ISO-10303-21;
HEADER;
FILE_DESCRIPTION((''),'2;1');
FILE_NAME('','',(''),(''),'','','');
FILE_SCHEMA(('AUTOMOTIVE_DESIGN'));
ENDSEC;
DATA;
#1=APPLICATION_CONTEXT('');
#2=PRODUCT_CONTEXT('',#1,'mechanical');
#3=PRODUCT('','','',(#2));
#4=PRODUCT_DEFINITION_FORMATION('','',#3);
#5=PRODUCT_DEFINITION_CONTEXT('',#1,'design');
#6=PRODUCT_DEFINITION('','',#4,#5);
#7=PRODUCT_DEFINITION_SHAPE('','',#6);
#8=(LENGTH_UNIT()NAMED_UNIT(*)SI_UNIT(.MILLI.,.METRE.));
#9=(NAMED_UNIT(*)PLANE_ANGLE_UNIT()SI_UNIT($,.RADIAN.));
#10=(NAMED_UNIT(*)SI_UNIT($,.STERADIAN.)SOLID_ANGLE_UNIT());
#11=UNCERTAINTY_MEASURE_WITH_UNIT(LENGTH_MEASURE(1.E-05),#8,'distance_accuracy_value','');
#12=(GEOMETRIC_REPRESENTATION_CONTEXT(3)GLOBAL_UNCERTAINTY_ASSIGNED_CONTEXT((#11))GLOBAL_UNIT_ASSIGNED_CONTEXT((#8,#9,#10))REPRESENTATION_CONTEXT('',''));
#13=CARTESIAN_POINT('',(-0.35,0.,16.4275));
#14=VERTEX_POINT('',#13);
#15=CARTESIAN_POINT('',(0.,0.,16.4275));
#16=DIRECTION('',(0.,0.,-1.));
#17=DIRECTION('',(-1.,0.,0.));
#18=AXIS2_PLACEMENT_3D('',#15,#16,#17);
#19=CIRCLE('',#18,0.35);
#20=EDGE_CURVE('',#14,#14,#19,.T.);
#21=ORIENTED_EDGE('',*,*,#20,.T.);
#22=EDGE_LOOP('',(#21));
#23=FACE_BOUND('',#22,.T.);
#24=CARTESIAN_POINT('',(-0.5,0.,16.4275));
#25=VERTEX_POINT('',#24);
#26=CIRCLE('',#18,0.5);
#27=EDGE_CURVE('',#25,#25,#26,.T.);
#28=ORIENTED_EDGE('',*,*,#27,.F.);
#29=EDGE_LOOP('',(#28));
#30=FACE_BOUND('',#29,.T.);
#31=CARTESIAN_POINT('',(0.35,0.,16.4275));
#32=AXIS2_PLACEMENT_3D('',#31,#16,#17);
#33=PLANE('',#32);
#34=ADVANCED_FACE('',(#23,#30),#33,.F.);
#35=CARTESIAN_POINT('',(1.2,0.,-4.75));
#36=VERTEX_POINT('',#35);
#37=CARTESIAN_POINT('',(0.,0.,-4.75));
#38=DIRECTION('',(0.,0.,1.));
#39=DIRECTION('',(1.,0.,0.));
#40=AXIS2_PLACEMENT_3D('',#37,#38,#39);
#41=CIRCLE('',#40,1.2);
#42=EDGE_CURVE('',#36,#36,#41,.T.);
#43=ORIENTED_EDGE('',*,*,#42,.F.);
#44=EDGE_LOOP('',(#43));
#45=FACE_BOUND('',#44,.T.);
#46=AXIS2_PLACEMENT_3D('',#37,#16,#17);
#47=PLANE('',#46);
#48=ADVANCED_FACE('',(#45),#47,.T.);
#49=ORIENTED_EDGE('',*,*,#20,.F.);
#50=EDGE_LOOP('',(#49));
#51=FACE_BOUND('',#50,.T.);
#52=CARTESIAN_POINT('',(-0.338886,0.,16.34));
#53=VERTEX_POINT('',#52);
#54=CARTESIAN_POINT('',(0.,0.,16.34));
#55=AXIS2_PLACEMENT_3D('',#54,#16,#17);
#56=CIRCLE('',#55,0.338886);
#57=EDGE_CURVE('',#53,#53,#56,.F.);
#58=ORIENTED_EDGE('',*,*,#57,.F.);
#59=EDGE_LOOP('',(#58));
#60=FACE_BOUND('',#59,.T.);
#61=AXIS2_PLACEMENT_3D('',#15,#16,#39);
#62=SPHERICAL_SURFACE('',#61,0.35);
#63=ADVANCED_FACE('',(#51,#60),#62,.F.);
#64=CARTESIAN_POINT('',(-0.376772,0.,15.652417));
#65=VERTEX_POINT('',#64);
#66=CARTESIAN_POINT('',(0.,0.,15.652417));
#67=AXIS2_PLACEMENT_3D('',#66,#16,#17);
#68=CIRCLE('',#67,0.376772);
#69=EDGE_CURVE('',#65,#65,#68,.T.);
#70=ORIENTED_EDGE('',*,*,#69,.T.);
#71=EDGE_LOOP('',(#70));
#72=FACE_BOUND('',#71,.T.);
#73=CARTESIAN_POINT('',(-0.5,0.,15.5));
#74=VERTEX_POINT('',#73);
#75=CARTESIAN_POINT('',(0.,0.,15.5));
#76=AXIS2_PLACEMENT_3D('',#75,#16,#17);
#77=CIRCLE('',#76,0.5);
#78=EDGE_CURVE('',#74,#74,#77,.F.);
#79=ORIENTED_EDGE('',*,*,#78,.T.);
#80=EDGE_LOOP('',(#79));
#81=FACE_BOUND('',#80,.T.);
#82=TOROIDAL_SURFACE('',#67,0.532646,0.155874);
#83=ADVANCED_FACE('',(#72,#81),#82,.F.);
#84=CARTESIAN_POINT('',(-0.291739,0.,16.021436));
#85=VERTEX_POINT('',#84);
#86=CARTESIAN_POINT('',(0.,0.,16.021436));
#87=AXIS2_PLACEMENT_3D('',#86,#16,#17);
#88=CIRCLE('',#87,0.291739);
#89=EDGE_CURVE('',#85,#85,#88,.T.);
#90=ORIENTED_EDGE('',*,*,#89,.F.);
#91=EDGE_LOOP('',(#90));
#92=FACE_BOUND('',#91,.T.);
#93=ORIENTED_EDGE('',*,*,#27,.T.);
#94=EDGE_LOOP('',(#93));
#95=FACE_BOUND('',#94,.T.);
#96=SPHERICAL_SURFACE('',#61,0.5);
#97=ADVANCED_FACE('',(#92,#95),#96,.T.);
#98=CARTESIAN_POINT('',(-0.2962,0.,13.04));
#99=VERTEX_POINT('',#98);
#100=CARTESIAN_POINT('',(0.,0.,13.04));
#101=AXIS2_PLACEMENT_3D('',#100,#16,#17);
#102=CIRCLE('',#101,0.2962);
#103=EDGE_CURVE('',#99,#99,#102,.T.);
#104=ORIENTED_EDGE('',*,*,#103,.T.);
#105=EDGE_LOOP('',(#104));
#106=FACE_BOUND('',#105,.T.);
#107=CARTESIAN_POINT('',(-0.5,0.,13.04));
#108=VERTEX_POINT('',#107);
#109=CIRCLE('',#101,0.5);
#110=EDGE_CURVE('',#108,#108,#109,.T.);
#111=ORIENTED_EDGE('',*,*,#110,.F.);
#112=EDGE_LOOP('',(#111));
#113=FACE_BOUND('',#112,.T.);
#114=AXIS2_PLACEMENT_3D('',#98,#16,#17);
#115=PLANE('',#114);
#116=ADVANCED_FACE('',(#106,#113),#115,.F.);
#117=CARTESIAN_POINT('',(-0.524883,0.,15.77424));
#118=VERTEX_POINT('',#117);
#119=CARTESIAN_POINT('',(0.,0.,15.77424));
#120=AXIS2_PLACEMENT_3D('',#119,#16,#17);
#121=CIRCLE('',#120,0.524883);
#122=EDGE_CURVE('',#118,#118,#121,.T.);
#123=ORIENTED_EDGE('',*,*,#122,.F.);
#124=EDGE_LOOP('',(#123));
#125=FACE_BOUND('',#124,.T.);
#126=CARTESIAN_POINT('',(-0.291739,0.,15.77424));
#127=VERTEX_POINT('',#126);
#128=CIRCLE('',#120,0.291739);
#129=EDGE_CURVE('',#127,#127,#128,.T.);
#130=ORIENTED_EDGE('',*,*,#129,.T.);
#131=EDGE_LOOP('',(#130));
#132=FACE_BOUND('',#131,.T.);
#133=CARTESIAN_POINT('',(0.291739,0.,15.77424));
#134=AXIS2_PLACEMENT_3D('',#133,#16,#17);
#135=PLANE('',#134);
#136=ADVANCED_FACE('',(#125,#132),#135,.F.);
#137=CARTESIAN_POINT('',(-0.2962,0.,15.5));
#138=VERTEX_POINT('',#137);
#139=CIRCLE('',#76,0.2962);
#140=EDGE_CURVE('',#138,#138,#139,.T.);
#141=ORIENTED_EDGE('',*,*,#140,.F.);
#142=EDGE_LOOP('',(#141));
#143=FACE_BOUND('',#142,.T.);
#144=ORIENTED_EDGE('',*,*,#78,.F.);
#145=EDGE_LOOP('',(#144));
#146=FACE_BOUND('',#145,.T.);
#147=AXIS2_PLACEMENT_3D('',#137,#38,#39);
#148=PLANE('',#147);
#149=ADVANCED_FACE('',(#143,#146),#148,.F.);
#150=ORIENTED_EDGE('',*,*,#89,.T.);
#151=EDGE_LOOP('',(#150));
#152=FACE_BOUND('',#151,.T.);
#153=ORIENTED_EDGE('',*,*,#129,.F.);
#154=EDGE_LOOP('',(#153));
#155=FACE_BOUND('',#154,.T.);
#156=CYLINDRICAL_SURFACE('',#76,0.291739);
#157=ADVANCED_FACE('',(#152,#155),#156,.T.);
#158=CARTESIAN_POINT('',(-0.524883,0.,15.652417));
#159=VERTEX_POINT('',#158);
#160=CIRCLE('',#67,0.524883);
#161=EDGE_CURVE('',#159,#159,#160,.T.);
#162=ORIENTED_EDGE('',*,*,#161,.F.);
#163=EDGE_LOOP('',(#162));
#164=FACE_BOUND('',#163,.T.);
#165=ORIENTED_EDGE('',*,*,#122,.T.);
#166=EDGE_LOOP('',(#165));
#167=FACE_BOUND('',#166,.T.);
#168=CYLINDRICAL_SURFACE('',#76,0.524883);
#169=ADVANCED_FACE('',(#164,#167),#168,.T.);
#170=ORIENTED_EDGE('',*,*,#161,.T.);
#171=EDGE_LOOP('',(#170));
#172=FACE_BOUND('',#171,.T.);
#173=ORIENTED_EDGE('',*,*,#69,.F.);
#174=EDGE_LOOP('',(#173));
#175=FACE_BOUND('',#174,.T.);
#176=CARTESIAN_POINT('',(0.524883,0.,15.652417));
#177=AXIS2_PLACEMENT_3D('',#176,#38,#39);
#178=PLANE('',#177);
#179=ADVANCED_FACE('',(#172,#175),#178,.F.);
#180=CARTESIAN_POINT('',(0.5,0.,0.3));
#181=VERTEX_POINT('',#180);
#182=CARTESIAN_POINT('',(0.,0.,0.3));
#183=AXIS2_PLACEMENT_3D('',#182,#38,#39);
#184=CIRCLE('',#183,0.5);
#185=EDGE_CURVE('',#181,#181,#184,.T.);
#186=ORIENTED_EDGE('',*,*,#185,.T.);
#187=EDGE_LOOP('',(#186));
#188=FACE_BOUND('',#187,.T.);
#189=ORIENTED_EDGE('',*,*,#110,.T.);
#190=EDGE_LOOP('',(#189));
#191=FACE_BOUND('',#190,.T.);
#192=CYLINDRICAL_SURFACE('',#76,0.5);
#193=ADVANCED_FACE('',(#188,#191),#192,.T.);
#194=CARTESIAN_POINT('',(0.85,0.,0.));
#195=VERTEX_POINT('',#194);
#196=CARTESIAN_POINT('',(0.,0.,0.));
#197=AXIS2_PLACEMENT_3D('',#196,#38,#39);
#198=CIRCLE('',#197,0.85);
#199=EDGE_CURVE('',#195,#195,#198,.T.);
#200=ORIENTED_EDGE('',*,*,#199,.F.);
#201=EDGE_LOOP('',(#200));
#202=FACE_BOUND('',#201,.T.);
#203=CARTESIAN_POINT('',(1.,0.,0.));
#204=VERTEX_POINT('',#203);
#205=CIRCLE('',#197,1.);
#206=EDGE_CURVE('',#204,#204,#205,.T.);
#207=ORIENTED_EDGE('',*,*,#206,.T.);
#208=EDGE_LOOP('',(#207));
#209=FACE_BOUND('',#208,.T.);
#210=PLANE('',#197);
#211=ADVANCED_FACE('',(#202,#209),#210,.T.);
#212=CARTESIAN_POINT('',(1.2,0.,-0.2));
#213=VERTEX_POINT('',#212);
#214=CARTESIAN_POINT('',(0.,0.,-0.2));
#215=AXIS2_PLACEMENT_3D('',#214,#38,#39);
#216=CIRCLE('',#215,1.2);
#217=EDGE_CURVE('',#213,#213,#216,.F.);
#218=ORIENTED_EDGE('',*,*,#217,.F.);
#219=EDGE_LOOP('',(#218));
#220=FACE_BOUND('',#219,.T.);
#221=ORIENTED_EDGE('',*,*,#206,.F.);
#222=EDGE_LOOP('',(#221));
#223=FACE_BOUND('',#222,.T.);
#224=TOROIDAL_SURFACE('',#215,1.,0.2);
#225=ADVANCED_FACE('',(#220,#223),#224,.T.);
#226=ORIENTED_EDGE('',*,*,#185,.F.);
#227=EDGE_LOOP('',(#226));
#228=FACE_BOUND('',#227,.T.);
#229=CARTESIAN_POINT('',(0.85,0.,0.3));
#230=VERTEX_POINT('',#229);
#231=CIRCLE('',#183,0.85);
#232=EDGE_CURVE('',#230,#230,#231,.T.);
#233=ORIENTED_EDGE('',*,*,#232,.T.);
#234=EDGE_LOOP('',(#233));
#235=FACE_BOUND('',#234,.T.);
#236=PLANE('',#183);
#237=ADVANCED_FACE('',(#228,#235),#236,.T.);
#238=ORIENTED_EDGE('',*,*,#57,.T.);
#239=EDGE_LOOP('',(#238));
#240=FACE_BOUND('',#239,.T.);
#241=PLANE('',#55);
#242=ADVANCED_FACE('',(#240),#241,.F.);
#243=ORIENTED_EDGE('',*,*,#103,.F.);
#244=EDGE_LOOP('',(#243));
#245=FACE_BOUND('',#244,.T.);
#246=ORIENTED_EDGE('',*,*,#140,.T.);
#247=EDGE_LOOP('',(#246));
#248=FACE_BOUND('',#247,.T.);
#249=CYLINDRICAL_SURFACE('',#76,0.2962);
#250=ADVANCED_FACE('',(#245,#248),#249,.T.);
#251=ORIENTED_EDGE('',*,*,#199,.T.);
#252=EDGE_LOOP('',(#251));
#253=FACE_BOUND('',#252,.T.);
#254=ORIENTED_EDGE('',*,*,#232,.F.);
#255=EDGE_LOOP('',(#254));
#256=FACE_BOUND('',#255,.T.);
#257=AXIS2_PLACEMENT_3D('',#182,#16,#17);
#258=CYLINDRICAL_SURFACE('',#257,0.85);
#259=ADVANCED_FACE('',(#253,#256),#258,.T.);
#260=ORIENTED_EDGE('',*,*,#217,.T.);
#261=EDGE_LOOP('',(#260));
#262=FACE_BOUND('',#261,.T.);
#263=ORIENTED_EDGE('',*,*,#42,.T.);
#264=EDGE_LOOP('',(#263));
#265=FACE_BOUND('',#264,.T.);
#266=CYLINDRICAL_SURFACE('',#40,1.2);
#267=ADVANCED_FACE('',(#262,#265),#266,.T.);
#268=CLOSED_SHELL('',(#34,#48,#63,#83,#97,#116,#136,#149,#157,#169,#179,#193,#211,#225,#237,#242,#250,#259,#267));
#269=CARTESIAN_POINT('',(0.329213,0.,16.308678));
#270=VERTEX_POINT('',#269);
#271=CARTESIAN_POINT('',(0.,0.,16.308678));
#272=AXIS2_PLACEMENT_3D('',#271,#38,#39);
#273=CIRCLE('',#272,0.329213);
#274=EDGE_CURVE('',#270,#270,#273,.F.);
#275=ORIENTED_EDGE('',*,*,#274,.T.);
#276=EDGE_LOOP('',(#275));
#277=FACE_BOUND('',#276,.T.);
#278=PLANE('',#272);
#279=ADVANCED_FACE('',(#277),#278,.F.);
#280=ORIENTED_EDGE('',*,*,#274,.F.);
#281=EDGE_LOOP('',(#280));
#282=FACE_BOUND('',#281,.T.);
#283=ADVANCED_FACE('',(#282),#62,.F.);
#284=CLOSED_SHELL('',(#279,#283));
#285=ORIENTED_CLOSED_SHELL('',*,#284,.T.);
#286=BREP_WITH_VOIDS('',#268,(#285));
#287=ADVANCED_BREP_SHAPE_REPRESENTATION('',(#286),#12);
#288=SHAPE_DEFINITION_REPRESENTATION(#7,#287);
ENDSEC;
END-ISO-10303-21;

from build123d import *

# Parameters (mm, degrees)
SKETCH2_R           = 0.5
BOSS_EXTRUDE1_DEPTH = 15.5
SKETCH2_6_R         = 1.2
SKETCH2_6_R_2       = 0.5
BOSS_EXTRUDE3_DEPTH = 4.75
BOSS_EXTRUDE4_START = 4.75
SKETCH3_R           = 0.5
BOSS_EXTRUDE4_DEPTH = 4.75
FILLET1_R           = 0.2
SKETCH4_R           = 0.85
BOSS_EXTRUDE5_DEPTH = 0.3
SKETCH6_W           = 0.466741821
SKETCH6_H           = 0.031322261
SKETCH7_W           = 1.509947497
SKETCH7_H           = 2.46


with BuildPart() as part:
    # Sketch2 → Boss-Extrude1 (new body)
    with BuildSketch(Plane.XY):
        Circle(SKETCH2_R)
    extrude(amount=BOSS_EXTRUDE1_DEPTH)


with BuildPart() as body_2:
    # Sketch2<6> → Boss-Extrude3 (new body)
    with BuildSketch(Plane.XY):
        Circle(SKETCH2_6_R)
        Circle(SKETCH2_6_R_2, mode=Mode.SUBTRACT)
    extrude(amount=-BOSS_EXTRUDE3_DEPTH)


with BuildPart() as boss_extrude4_tool:
    # Sketch3 → Boss-Extrude4 (new body)
    with BuildSketch(Plane(origin=(0, 0, 0), x_dir=(-1, 0, 0), z_dir=(0, 0, -1)).offset(BOSS_EXTRUDE4_START)):
        Circle(SKETCH3_R)
    extrude(amount=-BOSS_EXTRUDE4_DEPTH)


with BuildPart() as part_1:
    add(part.part)


with BuildPart() as part_2:
    # Boss-Extrude4: joined with boss_extrude4_tool
    add(part_1.part.fuse(boss_extrude4_tool.part, body_2.part, tol=0.00001))

    # Fillet1
    fillet1_edges = [part_2.edges().sort_by_distance(p)[0] for p in [
        (-1.2, 0, 0),
    ]]
    fillet(fillet1_edges, radius=FILLET1_R)

    # Sketch4 → Boss-Extrude5 (add)
    with BuildSketch(Plane.XY):
        Circle(SKETCH4_R)
    extrude(amount=BOSS_EXTRUDE5_DEPTH)

    # Sketch5 → Revolve1 (revolve)
    with BuildSketch(Plane(origin=(0, 0, 0), x_dir=(1, 0, 0), z_dir=(0, 1, 0))):
        with BuildLine():
            Line((0.5, -15.5), (0, -15.5))
            Line((0, -15.5), (0, -16.0775))
            ThreePointArc((0, -16.0775), (0.247487373, -16.180012627), (0.35, -16.4275))
            Line((0.35, -16.4275), (0.5, -16.4275))
            ThreePointArc((0.5, -16.4275), (0.44489867, -16.199322057), (0.291739306, -16.021435747))
            Line((0.291739306, -16.021435747), (0.291739306, -15.774240314))
            Line((0.291739306, -15.774240314), (0.524883028, -15.774240314))
            Line((0.524883028, -15.774240314), (0.524883028, -15.652417135))
            Line((0.524883028, -15.652417135), (0.376771599, -15.652417135))
            ThreePointArc((0.376771599, -15.652417135), (0.411432347, -15.554416852), (0.5, -15.5))
        make_face()
    revolve(axis=Axis((0, 0, 15.5), (0, 0, 1)))

    # Sketch6 → Revolve2 (revolve)
    with BuildSketch(Plane(origin=(0, 0, 0), x_dir=(1, 0, 0), z_dir=(0, 1, 0))):
        with Locations((-0.233370911, -16.32433887)):
            Rectangle(SKETCH6_W, SKETCH6_H)
    revolve(axis=Axis((0, 0, 16.4275), (0, 0, -1)))

    # Sketch7 → Cut-Revolve1 (revolve, cut)
    with BuildSketch(Plane(origin=(0, 0, 0), x_dir=(1, 0, 0), z_dir=(0, 1, 0))):
        with Locations((-1.051173749, -14.27)):
            Rectangle(SKETCH7_W, SKETCH7_H)
    revolve(axis=Axis((0, 0, 15.5), (0, 0, 1)), mode=Mode.SUBTRACT)


solid = part_2.part
